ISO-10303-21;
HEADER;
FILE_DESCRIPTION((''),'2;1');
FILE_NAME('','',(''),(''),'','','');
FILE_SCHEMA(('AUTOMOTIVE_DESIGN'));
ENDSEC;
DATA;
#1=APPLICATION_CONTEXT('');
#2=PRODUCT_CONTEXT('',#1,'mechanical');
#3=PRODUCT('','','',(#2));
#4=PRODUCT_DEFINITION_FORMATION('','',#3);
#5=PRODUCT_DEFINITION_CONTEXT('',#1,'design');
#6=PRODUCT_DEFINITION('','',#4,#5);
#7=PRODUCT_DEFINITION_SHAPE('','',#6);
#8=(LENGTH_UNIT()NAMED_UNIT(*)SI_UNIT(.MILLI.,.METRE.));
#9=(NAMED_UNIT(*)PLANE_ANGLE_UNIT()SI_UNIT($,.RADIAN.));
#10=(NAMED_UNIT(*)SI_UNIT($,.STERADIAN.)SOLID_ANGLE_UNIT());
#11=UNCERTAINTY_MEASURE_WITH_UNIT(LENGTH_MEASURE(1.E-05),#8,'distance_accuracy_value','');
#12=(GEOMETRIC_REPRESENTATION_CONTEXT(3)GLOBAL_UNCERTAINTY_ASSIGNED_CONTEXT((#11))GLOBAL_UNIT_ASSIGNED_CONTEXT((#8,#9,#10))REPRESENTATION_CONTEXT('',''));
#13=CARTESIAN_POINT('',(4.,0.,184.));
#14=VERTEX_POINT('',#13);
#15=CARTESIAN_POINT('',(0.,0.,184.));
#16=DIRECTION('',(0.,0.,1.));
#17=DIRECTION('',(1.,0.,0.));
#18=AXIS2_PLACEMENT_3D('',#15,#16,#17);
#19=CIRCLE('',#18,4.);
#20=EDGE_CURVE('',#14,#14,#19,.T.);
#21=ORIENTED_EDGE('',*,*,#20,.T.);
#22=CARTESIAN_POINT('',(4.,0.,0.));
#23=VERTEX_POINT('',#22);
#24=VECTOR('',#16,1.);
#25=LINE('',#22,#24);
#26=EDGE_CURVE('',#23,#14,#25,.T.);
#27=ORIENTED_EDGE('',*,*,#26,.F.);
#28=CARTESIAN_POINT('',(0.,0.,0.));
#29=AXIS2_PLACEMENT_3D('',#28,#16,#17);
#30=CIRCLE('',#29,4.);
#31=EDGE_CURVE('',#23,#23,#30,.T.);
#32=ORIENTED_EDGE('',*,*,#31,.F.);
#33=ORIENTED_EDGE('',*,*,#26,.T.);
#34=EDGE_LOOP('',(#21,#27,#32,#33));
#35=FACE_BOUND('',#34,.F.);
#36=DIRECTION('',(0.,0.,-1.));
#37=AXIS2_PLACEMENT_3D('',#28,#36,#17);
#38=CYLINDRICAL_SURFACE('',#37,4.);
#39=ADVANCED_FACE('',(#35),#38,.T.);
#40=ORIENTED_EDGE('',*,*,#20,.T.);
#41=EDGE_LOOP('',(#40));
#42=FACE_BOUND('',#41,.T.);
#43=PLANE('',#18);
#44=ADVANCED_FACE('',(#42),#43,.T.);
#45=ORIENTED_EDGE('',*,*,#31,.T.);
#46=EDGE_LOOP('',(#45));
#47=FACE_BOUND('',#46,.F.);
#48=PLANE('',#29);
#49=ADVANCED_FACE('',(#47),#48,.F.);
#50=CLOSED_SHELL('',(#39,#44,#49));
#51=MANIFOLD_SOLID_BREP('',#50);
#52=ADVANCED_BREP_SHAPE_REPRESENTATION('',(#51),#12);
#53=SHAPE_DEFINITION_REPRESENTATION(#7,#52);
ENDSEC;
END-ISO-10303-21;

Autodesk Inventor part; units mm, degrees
ref_plane "YZ Plane" through (0, 0, 0) normal (1, 0, 0) x (0, 1, 0)
ref_plane "XZ Plane" through (0, 0, 0) normal (0, 1, 0) x (-1, 0, 0)
ref_plane "XY Plane" through (0, 0, 0) normal (0, 0, 1) x (1, 0, 0)
sketch "Sketch1" plane through (0, 0, 0) normal (0, 0, 1) x (1, 0, 0)
  circle A0 centre (0, 0) radius 4
  dimension "d0" = 8
extrude "Extrusion1" add sketch "Sketch1" along normal blind 184
thread "Thread1" size "M8x1.25" class "6g" standard "ANSI Metric M Profile" full length
properties part number "stang"
